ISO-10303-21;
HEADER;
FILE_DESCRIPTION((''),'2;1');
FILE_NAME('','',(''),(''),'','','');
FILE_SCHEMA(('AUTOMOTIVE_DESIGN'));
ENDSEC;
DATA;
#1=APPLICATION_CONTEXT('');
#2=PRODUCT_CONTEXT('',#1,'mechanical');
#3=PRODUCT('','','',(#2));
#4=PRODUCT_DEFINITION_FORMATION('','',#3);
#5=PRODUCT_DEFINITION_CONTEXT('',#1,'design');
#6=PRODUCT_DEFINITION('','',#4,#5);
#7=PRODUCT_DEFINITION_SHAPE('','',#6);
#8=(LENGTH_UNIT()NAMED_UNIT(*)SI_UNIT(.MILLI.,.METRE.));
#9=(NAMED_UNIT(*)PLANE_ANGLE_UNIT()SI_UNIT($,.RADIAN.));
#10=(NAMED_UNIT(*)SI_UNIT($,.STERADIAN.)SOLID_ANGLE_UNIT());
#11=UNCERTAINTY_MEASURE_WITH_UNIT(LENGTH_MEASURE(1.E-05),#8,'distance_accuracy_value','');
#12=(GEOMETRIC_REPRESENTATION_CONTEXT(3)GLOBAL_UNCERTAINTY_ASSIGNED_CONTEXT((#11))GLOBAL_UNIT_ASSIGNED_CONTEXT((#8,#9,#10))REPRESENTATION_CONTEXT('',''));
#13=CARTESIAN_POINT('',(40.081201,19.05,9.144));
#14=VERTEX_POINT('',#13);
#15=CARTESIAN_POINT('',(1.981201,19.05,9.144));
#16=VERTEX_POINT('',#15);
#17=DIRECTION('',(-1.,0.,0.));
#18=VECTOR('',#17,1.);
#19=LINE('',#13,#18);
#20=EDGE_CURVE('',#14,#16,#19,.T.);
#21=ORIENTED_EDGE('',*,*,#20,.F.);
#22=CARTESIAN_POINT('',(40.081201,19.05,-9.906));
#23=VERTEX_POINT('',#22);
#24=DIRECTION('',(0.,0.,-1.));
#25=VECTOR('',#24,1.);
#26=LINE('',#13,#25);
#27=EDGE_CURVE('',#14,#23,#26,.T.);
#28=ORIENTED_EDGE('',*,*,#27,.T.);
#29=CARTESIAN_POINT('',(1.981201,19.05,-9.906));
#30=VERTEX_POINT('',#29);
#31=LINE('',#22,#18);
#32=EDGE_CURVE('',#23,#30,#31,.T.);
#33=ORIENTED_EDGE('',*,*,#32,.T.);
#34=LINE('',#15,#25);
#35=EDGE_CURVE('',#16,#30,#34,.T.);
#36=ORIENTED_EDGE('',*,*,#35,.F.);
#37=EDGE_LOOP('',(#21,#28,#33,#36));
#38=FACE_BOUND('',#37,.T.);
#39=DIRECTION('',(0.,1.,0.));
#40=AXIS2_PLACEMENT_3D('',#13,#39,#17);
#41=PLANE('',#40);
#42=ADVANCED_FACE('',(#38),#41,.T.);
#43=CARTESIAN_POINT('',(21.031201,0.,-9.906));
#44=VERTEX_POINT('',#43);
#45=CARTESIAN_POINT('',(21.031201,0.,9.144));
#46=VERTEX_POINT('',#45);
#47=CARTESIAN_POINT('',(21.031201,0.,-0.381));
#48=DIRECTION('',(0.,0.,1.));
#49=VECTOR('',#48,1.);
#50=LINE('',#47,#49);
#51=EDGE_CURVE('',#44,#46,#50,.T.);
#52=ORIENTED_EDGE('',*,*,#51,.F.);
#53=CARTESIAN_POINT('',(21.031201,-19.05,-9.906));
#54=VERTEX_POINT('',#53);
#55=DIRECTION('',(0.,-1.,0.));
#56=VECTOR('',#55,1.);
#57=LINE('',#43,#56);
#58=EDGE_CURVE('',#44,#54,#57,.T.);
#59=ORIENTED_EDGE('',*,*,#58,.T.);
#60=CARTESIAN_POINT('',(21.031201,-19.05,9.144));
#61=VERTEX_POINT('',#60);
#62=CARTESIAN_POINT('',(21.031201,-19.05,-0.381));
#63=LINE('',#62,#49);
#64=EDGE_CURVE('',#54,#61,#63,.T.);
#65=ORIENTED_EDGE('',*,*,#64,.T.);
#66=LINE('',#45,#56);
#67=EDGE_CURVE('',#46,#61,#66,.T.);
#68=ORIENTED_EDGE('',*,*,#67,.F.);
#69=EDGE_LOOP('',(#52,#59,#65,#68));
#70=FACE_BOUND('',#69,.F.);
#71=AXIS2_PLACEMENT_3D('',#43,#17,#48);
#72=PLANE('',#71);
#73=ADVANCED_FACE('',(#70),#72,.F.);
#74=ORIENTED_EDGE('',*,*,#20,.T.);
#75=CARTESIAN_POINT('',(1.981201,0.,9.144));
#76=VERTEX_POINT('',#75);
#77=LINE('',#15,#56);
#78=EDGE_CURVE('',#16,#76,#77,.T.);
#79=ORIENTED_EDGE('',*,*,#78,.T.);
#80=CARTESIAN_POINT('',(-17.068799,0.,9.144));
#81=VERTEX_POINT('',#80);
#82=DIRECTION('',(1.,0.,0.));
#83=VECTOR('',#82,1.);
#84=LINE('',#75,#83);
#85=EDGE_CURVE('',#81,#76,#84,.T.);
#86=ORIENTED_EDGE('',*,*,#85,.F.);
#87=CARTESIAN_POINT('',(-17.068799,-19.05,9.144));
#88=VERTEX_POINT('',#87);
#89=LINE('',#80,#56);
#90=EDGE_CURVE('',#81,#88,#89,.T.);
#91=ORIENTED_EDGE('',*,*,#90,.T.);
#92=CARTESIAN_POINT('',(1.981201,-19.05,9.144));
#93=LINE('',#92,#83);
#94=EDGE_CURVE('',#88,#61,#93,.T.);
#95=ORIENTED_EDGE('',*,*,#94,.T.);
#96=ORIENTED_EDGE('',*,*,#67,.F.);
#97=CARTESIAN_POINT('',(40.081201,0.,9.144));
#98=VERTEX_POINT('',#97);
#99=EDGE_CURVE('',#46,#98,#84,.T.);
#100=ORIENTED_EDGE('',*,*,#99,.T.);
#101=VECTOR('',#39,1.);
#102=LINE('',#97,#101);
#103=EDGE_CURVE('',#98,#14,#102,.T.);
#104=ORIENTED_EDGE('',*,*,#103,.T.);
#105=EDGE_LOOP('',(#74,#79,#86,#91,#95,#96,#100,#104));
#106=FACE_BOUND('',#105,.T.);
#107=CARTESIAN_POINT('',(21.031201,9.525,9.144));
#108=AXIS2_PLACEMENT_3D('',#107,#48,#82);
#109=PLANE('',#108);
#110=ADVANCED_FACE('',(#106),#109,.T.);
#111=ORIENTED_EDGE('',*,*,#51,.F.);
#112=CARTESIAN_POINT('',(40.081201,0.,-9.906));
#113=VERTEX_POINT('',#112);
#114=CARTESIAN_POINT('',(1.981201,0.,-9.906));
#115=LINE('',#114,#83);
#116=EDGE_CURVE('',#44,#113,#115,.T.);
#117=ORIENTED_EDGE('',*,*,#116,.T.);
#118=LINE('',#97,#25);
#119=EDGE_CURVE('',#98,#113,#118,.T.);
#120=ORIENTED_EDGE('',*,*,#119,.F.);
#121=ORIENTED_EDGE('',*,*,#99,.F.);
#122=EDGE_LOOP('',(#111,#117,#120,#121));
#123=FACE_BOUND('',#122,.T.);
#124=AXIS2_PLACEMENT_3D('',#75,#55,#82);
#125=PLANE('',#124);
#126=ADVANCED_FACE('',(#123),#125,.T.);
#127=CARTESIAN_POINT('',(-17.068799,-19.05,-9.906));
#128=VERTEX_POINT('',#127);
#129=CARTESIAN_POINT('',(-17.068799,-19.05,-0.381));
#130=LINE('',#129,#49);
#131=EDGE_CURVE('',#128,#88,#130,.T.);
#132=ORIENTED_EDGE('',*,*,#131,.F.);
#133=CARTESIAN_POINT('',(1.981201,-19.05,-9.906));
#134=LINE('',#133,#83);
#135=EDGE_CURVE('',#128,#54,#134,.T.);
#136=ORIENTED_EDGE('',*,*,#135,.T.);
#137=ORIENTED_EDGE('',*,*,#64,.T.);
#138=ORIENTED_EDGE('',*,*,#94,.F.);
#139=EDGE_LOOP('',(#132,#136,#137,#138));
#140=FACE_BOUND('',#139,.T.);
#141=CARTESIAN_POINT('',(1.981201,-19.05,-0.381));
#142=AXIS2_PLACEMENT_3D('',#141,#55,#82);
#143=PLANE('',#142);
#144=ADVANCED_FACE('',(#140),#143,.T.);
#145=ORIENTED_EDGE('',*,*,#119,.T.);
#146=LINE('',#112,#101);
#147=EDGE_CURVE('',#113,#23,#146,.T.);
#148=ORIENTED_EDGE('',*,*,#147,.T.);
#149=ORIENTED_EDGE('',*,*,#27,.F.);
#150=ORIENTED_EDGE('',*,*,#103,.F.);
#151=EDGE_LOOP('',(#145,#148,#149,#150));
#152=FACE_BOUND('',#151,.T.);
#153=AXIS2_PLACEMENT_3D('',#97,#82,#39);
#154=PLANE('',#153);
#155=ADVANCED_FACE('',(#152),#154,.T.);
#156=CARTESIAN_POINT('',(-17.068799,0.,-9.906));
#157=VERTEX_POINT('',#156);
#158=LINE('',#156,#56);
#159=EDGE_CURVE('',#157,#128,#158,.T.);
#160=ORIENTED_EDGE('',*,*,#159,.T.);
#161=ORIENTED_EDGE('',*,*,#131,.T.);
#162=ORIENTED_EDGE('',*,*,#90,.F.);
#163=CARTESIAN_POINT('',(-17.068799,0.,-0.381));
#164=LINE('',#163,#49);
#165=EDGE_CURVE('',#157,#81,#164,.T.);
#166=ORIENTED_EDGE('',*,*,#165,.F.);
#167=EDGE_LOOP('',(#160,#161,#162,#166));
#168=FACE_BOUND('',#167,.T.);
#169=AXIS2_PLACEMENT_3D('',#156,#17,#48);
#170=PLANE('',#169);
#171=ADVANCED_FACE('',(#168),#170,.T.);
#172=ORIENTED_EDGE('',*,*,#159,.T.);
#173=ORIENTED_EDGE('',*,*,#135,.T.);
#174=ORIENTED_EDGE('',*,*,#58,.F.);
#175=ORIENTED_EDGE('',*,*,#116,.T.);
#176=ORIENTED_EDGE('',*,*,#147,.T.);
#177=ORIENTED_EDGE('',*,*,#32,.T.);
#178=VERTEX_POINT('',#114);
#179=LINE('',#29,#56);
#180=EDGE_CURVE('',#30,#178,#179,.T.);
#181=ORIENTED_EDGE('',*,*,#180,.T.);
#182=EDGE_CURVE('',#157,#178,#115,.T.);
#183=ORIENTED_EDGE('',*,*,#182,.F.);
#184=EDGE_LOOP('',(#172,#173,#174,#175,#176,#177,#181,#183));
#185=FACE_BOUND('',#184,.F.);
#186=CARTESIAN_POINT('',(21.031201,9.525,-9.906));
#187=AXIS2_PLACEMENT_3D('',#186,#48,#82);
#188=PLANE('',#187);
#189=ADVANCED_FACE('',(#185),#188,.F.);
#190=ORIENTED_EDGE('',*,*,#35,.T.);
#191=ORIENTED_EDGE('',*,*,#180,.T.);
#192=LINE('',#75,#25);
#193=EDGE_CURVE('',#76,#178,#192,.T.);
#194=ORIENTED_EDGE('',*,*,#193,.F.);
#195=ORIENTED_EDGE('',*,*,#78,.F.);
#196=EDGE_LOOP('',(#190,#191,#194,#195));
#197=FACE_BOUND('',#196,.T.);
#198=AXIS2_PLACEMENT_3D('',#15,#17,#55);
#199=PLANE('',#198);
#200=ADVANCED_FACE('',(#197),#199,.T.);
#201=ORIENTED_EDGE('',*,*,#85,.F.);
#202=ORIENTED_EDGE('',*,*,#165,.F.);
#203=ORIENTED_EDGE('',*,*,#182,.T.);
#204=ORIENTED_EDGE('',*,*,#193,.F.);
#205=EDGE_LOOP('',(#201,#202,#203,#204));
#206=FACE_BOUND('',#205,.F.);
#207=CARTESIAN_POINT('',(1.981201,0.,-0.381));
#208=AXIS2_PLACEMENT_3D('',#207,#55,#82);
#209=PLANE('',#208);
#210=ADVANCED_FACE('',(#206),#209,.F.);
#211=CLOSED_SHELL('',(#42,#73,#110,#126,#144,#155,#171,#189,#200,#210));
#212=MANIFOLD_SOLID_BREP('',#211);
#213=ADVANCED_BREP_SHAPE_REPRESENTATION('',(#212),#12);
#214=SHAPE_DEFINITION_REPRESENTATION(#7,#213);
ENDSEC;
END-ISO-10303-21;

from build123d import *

# Parameters (mm, degrees)
F0_W     = 38.1
F0_H     = 19.05
F1_DEPTH = 19.05
F3_DEPTH = 19.05


with BuildPart() as f1:
    # F0 (on Front) → F1 (new body)
    with BuildSketch(Plane.XZ):
        with Locations((1.981201, -0.381)):
            Rectangle(F0_W, F0_H)
    extrude(amount=F1_DEPTH)

    # F2 (on face) → F3 (join)
    with BuildSketch(Plane.XY.offset(9.144)):
        Polygon((1.981201, 19.05), (1.981201, 0), (21.031201, 0), (40.081201, 0), (40.081201, 19.05), align=None)
    extrude(amount=-F3_DEPTH)


solid = f1.part
